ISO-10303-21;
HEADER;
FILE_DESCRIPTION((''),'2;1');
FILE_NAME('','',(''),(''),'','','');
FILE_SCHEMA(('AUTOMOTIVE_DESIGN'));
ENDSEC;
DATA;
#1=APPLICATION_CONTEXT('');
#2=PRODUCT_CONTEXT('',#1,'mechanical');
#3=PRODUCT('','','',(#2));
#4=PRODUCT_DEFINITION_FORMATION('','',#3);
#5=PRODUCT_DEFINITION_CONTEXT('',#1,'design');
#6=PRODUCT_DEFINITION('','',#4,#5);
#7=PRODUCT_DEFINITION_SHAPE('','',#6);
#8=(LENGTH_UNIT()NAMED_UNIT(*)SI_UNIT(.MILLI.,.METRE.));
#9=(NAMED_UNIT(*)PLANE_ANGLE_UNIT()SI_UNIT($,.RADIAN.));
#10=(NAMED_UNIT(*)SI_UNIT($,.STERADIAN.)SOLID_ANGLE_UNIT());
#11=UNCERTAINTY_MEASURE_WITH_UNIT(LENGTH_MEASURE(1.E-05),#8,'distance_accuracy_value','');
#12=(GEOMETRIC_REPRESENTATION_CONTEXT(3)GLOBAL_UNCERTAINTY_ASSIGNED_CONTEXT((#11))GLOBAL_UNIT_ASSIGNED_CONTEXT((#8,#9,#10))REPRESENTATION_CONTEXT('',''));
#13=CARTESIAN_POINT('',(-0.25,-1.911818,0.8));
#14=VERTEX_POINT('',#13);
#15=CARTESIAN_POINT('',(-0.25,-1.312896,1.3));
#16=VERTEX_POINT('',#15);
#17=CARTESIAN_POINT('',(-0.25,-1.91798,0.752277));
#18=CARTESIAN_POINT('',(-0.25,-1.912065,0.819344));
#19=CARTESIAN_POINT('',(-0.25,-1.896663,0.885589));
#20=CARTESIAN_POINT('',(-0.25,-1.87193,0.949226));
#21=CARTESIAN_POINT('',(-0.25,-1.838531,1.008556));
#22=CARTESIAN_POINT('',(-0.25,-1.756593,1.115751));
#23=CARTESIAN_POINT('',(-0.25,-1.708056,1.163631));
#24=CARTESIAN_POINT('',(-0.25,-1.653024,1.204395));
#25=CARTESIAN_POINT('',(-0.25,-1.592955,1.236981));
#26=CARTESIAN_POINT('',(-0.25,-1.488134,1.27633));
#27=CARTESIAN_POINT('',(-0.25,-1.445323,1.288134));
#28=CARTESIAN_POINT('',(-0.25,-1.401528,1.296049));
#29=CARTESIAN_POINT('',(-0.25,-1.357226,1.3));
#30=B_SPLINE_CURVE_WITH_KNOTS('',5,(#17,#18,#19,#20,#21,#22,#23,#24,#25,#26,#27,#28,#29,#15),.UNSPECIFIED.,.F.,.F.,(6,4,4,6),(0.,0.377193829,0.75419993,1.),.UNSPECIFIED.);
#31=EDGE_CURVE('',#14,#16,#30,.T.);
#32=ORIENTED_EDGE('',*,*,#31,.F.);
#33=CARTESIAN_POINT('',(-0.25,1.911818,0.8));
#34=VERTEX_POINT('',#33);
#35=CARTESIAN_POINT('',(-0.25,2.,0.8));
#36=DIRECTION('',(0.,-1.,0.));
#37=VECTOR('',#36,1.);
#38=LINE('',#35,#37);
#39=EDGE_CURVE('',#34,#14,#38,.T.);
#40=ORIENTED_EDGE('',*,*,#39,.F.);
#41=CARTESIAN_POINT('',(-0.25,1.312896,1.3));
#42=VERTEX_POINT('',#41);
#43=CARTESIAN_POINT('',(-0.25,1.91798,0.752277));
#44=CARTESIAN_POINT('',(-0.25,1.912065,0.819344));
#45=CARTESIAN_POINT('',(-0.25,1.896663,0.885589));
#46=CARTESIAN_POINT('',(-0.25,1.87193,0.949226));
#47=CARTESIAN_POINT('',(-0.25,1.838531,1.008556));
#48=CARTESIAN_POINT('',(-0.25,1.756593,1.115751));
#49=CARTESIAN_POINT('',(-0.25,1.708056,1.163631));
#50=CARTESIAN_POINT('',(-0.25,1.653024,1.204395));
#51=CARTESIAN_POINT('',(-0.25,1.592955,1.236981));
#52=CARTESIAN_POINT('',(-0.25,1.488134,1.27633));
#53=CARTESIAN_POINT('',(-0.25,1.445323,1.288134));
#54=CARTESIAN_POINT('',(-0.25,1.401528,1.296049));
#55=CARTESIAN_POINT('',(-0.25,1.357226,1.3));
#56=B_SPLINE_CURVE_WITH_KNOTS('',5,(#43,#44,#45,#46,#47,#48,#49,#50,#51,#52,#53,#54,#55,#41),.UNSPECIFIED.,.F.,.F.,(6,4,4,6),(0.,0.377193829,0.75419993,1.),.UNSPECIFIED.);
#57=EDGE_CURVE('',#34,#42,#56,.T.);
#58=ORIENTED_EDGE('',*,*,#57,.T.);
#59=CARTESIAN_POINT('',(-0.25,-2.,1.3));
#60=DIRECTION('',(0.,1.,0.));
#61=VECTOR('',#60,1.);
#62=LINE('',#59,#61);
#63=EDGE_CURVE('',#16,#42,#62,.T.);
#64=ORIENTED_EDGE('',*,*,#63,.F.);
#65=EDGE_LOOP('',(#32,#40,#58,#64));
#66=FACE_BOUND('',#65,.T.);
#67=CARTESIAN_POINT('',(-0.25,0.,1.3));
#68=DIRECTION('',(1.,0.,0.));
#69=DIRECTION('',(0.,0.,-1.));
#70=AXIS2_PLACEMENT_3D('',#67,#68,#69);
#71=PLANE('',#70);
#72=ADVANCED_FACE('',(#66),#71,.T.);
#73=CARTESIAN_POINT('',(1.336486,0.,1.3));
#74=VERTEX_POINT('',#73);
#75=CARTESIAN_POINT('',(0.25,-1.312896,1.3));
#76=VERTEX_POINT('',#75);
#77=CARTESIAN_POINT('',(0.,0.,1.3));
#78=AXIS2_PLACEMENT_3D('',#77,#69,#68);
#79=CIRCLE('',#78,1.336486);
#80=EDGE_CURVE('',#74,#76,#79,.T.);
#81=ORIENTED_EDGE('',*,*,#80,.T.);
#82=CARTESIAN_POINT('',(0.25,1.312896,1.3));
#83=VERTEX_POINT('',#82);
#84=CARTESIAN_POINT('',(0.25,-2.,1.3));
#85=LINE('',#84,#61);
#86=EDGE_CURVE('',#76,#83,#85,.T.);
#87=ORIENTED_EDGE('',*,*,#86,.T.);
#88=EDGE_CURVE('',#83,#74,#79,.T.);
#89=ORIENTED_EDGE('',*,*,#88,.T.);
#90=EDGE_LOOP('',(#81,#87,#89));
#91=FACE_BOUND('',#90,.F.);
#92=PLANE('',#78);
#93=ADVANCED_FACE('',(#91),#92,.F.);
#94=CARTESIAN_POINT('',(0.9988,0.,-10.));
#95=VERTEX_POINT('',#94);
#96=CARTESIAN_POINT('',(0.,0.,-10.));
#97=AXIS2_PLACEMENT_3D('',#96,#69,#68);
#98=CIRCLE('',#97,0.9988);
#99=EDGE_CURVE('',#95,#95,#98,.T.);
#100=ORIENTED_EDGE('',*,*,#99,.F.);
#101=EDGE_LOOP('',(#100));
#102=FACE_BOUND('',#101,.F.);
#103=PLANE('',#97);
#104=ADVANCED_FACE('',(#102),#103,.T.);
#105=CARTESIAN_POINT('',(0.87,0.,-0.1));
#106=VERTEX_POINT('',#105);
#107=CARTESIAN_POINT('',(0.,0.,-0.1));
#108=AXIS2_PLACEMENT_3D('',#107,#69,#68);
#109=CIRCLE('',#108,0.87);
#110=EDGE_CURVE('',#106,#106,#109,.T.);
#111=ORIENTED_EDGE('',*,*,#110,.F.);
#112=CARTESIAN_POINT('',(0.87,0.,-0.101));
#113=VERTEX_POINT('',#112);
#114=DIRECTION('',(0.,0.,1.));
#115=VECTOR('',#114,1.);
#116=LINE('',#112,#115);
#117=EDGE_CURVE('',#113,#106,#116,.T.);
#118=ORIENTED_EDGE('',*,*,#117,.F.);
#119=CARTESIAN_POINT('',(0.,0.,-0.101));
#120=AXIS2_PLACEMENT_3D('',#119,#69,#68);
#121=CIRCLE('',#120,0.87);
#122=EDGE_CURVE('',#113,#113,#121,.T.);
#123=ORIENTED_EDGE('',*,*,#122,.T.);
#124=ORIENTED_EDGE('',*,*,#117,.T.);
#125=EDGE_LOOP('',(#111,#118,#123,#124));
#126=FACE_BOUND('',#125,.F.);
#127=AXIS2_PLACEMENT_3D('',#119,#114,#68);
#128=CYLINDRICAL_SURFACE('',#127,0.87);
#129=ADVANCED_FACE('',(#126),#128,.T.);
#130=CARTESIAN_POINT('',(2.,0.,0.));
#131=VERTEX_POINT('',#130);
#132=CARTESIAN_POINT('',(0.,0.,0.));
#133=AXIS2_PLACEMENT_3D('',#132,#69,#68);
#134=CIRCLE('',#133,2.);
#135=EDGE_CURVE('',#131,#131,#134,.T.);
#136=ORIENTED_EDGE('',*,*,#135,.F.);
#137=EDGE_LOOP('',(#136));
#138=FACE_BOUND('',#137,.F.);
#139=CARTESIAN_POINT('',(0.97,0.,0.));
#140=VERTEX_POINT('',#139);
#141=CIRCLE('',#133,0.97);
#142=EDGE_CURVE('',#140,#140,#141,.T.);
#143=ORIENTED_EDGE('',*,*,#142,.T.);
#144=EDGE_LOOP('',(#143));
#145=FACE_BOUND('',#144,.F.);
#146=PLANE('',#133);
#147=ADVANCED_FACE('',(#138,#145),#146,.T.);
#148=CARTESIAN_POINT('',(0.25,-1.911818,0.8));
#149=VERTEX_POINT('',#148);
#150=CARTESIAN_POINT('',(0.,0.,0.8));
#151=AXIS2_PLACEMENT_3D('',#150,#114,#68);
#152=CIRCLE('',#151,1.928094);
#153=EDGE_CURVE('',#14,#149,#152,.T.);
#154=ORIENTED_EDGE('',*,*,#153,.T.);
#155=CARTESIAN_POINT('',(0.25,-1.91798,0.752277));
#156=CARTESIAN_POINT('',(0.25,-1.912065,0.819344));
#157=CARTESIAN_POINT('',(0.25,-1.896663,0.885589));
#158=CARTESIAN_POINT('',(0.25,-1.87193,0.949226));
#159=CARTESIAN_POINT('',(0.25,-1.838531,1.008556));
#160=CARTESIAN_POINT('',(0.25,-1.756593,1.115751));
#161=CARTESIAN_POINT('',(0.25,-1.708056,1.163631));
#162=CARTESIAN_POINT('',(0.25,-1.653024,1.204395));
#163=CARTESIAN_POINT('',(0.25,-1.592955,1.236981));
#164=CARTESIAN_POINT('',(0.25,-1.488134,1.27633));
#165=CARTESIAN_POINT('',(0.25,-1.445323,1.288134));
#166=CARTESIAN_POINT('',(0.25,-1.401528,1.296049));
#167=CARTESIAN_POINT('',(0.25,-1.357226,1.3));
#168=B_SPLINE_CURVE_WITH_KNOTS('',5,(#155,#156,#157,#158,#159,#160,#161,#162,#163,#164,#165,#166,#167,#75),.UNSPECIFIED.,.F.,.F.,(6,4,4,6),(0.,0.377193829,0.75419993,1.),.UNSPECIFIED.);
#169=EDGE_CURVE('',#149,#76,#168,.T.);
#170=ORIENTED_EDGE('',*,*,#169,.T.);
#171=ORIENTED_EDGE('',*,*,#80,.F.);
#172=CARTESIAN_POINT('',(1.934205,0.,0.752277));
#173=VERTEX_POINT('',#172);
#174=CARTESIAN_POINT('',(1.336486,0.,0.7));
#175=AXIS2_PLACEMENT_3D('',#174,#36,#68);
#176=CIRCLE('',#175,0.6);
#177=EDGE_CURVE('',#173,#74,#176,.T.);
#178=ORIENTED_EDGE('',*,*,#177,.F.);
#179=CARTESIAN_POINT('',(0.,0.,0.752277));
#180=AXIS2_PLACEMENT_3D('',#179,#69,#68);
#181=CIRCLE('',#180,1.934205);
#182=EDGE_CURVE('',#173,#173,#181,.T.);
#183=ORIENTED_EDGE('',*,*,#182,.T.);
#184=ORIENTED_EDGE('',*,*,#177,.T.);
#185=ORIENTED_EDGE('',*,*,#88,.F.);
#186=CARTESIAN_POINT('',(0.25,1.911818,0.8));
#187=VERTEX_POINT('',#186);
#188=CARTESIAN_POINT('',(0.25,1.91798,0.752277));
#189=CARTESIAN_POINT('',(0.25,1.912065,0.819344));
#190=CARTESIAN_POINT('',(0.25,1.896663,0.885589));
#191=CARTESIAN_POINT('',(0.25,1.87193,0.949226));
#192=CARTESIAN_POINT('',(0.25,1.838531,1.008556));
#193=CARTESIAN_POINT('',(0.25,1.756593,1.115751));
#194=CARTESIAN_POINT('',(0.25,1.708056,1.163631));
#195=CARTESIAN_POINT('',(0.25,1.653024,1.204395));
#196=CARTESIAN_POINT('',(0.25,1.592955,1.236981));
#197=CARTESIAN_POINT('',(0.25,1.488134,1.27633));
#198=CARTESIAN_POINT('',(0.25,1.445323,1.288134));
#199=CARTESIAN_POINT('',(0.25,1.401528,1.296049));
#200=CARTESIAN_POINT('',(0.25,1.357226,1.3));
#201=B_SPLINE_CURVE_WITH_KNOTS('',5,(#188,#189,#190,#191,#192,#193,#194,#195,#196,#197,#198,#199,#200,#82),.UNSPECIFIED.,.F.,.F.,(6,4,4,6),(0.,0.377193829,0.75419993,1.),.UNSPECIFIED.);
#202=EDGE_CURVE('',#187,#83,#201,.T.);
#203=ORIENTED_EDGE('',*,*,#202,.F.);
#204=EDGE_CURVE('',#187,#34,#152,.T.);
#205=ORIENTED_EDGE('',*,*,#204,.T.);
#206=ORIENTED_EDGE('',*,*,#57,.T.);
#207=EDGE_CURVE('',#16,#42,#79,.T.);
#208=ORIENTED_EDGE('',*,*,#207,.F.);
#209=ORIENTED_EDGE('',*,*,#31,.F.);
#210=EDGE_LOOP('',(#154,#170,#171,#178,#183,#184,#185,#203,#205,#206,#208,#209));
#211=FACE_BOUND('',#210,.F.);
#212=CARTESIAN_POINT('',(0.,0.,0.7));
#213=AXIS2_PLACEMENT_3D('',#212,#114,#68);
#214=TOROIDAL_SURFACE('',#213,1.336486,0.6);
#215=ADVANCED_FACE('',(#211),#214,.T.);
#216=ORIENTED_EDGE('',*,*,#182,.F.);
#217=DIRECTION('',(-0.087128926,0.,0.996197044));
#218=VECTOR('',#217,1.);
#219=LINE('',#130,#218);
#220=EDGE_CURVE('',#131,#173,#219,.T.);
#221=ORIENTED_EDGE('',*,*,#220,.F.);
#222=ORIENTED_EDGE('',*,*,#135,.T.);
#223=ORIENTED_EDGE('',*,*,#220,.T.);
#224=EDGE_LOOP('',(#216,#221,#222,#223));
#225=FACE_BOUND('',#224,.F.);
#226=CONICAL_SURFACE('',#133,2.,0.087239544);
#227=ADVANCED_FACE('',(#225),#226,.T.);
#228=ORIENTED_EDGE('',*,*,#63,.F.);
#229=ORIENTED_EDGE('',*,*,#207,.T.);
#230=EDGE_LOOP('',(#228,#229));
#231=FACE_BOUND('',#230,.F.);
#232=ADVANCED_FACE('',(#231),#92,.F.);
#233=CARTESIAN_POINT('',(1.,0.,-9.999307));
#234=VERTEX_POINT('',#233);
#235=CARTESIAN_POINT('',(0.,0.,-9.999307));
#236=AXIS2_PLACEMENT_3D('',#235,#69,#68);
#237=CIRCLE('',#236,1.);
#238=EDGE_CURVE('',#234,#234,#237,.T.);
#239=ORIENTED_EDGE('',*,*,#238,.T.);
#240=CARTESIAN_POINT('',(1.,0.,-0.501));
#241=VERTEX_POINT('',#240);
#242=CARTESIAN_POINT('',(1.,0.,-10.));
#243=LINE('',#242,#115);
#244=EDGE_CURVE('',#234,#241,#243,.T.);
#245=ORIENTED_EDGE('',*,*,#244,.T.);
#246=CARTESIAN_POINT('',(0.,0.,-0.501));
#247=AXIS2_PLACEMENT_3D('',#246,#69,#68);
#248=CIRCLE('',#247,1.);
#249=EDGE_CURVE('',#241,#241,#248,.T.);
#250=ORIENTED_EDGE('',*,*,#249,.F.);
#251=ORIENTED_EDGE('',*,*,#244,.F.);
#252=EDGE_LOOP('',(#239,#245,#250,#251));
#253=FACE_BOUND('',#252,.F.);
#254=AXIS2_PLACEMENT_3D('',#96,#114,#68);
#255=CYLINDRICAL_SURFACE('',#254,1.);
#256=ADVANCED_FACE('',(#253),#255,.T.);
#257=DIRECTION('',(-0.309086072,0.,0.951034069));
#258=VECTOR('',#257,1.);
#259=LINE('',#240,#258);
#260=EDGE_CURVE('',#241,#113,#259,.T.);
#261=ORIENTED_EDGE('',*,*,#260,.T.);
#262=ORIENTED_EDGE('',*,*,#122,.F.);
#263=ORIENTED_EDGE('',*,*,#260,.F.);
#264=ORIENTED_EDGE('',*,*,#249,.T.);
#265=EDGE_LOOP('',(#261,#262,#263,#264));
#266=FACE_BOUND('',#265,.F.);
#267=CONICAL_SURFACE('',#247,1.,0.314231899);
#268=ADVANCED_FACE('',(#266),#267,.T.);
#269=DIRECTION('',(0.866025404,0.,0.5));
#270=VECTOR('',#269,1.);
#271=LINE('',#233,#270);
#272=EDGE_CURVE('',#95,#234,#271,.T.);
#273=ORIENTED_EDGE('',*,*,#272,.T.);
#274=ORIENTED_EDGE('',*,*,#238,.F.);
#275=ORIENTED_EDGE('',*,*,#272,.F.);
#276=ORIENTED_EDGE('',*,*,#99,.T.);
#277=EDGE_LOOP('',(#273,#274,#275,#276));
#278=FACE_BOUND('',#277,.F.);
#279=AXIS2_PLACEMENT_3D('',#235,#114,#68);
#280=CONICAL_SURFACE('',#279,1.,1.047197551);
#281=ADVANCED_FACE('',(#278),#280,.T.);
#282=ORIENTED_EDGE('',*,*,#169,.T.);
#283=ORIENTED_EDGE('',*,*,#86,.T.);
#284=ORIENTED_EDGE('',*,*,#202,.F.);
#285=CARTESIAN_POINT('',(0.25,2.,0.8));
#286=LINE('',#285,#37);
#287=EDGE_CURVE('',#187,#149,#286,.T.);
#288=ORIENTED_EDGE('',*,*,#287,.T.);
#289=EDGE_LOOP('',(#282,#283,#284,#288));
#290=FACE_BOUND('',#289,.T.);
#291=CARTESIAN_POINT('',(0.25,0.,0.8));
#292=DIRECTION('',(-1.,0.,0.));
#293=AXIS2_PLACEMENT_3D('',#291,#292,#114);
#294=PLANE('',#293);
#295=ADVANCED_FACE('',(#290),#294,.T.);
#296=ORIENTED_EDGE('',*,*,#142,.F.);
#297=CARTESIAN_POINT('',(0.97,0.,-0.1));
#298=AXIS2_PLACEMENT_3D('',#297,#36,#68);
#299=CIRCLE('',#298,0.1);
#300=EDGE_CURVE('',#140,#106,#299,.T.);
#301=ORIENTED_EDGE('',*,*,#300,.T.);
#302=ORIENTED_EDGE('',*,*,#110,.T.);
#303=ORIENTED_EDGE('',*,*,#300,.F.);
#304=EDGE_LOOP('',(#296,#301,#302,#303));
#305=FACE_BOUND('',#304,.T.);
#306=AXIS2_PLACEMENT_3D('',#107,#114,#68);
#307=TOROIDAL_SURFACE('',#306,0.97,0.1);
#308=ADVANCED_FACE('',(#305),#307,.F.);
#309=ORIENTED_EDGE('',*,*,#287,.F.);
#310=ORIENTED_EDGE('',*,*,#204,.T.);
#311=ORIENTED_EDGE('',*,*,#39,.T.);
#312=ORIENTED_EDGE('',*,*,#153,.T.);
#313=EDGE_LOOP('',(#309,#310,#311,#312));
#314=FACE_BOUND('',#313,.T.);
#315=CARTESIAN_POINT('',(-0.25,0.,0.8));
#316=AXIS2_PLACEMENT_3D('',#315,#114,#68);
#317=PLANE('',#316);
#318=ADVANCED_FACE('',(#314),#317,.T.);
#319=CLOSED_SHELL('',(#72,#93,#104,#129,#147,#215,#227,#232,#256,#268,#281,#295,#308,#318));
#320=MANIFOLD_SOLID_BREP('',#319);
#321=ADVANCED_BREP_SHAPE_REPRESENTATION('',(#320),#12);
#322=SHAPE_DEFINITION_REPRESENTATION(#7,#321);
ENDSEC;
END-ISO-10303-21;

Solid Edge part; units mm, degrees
sketch "Sketch1" plane through (0, 0, 0) normal (0, -1, 0) x (1, 0, 0)
  line L0 (0, -10) -> (1, -10)
  line L1 (1, -10) -> (1, -0.501)
  line L2 (1, -0.501) -> (0.87, -0.101)
  line L3 (0.87, -0.101) -> (0.87, 0)
  line L4 (0.87, 0) -> (2, 0)
  line L5 (2, 0) -> (1.8863, 1.3)
  line L6 (1.8863, 1.3) -> (0, 1.3)
  dimension "D1" = 1
  dimension "D2" = 0.87
  dimension "D3" = 10
  dimension "D4" = 9.499
  dimension "D5" = 0.4
  dimension "D6" = 2
  dimension "D7" = 1.3
revolve "RevolvedProtrusion1" add sketch "Sketch1" angle 360 about axis through (0, 0, 6) along (0, 0, -1)
fillet "Round_1" radius 0.6 1 edges at (-1.8863, 0, 1.3)
sketch "Sketch2" plane through (0, 0, 0) normal (0, -1, 0) x (1, 0, 0)
  line L0 (-0.25, 1.3) -> (-0.25, 0.8)
  line L1 (-0.25, 0.8) -> (0.25, 0.8)
  line L2 (0.25, 0.8) -> (0.25, 1.3)
  line L3 (0.25, 1.3) -> (-0.25, 1.3)
  dimension "D1" = 0.5
  dimension "D2" = 0.5
  dimension "D3" = 1.3
extrude "ExtrudedCutout_1" cut sketch "Sketch2" along normal mid plane 4
cosmetic_thread "Thread_1" size "M2" thread depth 9.499
fillet "Round_2" radius 0.1 1 edges at (-0.87, 0, 0)
chamfer "Chamfer_1" distance 0.0012 angle 30 1 edges at (-1, 0, -10) measured on face at (0.6867, 0.6467, -10)
properties material "Steel"
